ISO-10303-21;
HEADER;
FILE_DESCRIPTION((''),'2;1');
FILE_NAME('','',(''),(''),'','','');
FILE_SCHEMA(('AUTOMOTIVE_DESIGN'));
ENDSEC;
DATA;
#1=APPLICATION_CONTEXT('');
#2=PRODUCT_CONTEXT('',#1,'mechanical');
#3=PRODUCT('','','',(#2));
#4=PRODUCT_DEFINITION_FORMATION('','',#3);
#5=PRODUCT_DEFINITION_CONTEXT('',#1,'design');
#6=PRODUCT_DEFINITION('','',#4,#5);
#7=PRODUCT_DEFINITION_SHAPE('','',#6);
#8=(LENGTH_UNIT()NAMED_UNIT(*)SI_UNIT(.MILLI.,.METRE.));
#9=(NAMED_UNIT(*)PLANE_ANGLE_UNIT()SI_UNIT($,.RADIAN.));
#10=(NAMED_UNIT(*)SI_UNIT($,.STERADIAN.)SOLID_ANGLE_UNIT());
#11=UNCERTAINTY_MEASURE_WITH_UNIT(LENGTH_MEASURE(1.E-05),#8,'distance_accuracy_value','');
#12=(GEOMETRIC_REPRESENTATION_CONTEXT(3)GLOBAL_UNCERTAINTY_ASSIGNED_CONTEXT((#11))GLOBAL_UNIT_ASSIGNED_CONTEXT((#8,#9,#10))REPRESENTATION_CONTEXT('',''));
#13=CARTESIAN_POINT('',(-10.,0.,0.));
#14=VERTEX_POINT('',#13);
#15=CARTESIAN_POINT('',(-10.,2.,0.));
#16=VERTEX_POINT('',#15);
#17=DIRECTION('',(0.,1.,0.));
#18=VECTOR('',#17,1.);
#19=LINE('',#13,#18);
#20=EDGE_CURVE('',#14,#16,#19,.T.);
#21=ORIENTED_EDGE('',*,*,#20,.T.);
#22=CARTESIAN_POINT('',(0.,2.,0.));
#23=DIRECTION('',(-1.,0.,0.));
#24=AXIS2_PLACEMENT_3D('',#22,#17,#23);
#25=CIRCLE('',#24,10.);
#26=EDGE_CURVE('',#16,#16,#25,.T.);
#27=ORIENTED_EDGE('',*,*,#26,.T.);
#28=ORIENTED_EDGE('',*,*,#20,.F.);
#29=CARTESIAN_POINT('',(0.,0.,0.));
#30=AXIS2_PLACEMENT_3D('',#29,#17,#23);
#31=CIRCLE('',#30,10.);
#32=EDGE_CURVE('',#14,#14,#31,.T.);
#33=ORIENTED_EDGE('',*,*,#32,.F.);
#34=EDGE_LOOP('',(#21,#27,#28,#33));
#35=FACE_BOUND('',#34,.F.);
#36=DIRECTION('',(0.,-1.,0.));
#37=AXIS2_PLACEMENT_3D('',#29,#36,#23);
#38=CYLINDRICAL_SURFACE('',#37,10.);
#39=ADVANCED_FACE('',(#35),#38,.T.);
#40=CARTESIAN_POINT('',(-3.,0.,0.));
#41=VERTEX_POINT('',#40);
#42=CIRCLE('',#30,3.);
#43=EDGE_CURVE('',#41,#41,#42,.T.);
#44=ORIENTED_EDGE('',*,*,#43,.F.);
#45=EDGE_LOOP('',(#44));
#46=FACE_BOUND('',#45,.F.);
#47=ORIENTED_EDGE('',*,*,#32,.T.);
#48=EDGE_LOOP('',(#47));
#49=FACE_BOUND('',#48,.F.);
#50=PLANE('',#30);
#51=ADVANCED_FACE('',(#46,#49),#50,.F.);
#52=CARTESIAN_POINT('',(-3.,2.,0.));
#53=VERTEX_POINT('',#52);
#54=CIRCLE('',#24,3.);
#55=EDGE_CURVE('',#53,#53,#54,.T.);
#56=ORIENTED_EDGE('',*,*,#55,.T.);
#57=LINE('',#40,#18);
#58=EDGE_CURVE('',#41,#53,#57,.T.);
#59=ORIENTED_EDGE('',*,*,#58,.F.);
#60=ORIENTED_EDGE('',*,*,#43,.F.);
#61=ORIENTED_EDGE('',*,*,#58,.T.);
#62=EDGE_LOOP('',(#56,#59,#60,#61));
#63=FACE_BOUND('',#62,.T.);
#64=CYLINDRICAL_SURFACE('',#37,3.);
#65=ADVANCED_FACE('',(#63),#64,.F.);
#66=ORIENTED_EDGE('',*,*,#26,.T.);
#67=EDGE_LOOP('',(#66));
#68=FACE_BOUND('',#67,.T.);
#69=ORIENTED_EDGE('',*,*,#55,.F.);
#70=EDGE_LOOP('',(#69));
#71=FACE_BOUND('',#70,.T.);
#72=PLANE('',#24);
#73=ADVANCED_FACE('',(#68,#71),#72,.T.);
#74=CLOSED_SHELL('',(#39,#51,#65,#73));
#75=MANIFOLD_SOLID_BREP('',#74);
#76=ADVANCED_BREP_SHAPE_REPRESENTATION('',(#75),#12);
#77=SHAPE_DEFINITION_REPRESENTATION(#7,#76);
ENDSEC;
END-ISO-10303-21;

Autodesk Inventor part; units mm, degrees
ref_plane "YZ Plane" through (0, 0, 0) normal (1, 0, 0) x (0, 1, 0)
ref_plane "XZ Plane" through (0, 0, 0) normal (0, 1, 0) x (-1, 0, 0)
ref_plane "XY Plane" through (0, 0, 0) normal (0, 0, 1) x (1, 0, 0)
sketch "Эскиз1" plane through (0, 0, 0) normal (0, 1, 0) x (-1, 0, 0)
  circle A0 centre (0, 0) radius 10
  circle A1 centre (0, 0) radius 3
  dimension "d0" = 20
  dimension "d1" = 6
extrude "Выдавливание1" add sketch "Эскиз1" along normal blind 2
